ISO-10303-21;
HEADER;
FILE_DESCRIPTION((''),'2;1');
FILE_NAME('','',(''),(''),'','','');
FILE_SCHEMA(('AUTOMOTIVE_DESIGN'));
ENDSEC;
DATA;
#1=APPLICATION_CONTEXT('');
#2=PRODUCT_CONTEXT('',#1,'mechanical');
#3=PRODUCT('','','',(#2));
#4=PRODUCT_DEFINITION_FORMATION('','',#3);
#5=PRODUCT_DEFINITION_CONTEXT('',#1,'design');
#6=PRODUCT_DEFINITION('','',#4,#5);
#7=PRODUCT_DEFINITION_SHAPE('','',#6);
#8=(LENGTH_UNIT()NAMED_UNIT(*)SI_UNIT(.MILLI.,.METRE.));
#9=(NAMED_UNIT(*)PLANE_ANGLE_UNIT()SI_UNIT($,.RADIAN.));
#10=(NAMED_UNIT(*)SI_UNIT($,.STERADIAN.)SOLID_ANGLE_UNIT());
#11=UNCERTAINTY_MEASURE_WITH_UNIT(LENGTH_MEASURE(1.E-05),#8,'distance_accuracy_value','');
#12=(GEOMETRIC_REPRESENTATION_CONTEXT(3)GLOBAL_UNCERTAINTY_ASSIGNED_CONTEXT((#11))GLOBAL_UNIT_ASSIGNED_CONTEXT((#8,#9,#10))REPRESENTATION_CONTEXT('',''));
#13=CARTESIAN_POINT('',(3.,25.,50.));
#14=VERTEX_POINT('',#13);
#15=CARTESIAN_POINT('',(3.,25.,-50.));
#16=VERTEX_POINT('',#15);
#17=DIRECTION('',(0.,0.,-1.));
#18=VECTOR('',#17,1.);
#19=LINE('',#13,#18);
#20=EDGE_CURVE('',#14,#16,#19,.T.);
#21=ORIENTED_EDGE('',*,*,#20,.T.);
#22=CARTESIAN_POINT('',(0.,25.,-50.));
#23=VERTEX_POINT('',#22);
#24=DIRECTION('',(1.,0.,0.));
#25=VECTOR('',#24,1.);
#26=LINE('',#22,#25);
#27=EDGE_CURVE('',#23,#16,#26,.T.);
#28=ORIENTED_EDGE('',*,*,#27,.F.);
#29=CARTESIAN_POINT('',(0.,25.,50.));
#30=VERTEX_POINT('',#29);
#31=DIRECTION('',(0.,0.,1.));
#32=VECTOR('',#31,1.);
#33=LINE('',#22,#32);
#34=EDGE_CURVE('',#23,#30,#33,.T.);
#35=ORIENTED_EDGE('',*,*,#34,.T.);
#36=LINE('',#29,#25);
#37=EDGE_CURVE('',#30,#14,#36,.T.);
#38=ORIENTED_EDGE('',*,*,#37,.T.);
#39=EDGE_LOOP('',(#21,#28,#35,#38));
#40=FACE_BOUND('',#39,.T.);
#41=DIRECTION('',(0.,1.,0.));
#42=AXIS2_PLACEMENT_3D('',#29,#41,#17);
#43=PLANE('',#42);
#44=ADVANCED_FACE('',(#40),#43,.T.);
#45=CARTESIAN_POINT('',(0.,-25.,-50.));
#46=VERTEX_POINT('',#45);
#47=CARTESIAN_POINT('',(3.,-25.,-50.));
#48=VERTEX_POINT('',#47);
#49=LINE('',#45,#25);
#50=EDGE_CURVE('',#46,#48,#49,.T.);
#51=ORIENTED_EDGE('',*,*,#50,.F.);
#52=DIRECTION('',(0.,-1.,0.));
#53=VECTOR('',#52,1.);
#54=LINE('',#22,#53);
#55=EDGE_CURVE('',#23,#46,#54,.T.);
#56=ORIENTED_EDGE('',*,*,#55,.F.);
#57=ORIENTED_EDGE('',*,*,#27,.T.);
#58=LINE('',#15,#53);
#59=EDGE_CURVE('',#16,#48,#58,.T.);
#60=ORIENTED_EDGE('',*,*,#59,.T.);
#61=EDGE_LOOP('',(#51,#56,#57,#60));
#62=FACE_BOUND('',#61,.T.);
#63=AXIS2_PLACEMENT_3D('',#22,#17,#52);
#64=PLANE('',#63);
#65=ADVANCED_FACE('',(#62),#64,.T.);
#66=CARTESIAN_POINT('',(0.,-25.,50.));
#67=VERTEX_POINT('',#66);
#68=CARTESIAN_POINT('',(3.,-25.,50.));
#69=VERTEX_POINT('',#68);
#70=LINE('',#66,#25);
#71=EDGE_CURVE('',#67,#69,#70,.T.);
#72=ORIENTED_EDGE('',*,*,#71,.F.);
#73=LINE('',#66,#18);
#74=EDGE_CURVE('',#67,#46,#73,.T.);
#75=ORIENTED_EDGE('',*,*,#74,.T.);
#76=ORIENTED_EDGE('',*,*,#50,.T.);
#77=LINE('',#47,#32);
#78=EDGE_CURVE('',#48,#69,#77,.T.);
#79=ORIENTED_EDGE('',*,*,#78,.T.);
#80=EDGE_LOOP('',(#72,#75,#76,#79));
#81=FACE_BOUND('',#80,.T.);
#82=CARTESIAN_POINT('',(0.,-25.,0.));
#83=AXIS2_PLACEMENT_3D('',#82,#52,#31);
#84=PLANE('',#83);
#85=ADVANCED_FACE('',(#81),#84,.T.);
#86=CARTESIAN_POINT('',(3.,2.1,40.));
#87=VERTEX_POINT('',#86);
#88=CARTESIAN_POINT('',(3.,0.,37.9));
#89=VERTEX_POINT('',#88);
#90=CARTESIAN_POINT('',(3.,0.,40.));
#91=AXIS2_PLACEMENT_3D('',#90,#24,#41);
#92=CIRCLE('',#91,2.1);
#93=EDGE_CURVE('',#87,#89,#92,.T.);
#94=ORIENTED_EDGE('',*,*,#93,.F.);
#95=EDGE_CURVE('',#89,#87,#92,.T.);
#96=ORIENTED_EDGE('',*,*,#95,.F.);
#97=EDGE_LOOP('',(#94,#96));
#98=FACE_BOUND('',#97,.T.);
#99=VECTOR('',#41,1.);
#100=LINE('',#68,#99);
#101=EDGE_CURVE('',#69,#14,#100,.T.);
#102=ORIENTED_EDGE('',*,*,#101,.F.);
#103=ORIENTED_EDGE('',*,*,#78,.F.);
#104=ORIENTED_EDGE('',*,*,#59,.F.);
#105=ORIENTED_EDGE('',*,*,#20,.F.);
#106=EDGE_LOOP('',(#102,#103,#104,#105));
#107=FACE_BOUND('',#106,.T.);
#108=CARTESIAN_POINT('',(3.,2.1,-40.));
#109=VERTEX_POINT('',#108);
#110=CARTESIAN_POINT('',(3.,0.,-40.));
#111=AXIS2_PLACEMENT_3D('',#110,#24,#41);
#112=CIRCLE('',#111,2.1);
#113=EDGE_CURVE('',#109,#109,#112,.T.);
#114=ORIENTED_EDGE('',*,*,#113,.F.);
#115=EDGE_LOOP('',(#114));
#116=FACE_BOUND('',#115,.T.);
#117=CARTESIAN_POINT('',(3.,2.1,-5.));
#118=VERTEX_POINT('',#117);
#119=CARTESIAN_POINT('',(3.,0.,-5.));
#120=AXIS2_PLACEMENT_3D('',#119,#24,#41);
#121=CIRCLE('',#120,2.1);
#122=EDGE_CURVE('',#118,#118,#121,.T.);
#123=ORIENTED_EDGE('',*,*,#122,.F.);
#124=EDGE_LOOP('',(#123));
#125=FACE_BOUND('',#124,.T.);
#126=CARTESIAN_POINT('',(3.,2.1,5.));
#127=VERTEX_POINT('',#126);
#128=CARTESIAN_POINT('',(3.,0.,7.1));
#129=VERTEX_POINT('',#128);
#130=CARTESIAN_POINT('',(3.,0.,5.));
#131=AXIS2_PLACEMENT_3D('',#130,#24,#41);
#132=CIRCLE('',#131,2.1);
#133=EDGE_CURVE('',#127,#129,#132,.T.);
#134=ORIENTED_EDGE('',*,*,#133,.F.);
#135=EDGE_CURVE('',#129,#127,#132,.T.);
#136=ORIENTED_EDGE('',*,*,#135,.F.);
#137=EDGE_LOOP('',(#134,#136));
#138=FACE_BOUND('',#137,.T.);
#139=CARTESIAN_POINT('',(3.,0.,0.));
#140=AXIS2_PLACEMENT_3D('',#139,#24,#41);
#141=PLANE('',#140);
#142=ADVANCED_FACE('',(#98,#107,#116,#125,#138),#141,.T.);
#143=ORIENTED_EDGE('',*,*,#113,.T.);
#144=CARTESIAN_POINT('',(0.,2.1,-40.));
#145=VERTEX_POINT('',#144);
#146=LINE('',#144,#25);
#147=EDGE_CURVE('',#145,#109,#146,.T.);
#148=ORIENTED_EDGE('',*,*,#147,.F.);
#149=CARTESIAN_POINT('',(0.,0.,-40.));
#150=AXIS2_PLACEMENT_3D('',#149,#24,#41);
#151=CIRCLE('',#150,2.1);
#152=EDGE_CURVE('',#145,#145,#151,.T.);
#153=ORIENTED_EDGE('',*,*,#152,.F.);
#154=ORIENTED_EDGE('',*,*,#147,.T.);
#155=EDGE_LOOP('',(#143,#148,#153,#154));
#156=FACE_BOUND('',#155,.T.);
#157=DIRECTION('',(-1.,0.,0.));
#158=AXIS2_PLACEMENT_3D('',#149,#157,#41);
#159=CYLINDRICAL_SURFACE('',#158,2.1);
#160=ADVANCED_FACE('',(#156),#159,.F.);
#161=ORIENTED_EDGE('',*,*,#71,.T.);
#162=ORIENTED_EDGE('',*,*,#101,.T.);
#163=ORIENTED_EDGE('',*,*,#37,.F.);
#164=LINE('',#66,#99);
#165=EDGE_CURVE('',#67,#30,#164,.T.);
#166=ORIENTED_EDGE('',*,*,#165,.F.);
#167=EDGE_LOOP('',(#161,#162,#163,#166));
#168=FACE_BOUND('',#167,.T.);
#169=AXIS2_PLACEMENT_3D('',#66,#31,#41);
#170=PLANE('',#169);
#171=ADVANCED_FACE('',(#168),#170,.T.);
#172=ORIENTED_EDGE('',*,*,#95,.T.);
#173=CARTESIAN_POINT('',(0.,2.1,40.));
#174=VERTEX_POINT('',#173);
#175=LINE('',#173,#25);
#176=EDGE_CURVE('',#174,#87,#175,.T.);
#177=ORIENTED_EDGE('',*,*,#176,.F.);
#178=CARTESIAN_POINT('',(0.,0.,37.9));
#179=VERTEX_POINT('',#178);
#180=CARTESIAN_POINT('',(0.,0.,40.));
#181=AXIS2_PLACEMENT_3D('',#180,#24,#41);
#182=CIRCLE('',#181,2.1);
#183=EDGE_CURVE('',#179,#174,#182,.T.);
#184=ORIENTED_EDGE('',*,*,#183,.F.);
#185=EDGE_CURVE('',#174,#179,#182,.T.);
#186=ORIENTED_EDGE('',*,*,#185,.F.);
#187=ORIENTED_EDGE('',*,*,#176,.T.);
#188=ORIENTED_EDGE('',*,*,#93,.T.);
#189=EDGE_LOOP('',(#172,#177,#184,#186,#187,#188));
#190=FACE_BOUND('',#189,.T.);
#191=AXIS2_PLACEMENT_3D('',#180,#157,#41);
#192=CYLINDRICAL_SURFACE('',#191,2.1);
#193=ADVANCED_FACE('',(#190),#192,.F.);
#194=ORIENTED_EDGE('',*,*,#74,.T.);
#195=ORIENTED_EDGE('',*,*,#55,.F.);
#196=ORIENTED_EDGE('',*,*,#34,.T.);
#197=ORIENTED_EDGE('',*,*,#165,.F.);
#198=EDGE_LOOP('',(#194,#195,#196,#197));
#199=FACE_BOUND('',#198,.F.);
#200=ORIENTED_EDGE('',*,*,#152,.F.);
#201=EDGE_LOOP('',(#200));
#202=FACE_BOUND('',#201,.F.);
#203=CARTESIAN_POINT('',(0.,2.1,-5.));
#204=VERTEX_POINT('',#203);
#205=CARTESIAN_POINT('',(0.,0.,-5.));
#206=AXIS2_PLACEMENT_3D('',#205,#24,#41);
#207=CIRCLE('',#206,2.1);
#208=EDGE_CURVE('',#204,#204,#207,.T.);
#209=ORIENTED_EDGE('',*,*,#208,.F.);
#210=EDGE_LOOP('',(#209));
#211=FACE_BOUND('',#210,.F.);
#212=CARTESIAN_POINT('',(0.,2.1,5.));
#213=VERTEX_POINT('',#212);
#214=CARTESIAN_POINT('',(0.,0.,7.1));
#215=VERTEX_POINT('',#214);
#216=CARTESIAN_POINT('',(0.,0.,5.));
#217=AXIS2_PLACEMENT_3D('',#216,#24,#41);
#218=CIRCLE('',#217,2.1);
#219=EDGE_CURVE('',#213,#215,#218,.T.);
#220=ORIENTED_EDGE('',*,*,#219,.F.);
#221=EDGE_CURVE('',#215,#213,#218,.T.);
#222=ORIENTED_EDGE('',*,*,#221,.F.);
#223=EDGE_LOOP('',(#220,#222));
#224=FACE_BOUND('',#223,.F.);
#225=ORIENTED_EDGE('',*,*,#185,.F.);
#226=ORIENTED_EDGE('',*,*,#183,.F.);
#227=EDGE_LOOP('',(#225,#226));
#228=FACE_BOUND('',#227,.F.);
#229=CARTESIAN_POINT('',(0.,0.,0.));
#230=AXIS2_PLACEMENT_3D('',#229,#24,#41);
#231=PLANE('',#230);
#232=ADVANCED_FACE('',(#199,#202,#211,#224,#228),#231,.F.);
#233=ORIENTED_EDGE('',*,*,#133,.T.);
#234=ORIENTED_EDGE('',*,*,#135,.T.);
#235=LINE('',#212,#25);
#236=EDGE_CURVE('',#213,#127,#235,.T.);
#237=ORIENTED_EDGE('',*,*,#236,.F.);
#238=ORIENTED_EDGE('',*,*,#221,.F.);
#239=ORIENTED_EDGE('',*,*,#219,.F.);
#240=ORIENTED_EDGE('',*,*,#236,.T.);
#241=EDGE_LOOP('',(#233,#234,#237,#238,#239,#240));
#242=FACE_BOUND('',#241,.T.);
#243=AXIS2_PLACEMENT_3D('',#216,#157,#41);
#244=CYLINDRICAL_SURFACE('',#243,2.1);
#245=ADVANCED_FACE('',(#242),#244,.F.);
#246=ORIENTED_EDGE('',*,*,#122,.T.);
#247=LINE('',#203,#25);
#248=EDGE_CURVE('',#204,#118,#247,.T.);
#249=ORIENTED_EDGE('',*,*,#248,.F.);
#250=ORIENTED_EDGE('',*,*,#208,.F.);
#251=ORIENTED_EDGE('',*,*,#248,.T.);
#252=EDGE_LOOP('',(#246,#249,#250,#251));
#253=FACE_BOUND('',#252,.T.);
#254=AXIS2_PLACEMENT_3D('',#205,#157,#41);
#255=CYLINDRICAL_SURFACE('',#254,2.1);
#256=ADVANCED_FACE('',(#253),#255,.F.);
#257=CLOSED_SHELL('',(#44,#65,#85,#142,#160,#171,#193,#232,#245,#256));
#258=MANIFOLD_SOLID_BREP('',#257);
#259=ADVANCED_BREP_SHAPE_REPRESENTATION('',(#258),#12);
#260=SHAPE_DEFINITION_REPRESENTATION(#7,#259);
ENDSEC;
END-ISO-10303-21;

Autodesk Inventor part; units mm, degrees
ref_plane "YZ Plane" through (0, 0, 0) normal (1, 0, 0) x (0, 1, 0)
ref_plane "XZ Plane" through (0, 0, 0) normal (0, 1, 0) x (-1, 0, 0)
ref_plane "XY Plane" through (0, 0, 0) normal (0, 0, 1) x (1, 0, 0)
sketch "Sketch1" plane through (0, 0, 0) normal (1, 0, 0) x (0, 1, 0)
  line L0 (-25, 50) -> (25, 50)
  line L1 (25, 50) -> (25, -50)
  line L2 (25, -50) -> (-25, -50)
  line L3 (-25, -50) -> (-25, 50)
  line L4 (-25, 50) -> (25, -50) construction
  line L5 (25, 50) -> (-25, -50) construction
  circle A0 centre (0, 40) radius 2.1
  circle A1 centre (0, 5) radius 2.1
  line L6 (0, 40) -> (0, 5)
  line L7 (25, 0) -> (-25, 0)
  circle A2 centre (0, -40) radius 2.1
  circle A3 centre (0, -5) radius 2.1
  point P0 (0, 0)
  point P1 (0, 50)
  dimension "d6" = 50
  dimension "d7" = 100
  dimension "d9" = 4.2
  dimension "d10" = 4.2
  dimension "d11" = 35
  dimension "d12" = 25
  dimension "d13" = 10
extrude "Extrusion2" add sketch "Sketch1" along normal blind 3
equation "\"d12\" = 0.5 * d6"
properties part number "motorPlate"
